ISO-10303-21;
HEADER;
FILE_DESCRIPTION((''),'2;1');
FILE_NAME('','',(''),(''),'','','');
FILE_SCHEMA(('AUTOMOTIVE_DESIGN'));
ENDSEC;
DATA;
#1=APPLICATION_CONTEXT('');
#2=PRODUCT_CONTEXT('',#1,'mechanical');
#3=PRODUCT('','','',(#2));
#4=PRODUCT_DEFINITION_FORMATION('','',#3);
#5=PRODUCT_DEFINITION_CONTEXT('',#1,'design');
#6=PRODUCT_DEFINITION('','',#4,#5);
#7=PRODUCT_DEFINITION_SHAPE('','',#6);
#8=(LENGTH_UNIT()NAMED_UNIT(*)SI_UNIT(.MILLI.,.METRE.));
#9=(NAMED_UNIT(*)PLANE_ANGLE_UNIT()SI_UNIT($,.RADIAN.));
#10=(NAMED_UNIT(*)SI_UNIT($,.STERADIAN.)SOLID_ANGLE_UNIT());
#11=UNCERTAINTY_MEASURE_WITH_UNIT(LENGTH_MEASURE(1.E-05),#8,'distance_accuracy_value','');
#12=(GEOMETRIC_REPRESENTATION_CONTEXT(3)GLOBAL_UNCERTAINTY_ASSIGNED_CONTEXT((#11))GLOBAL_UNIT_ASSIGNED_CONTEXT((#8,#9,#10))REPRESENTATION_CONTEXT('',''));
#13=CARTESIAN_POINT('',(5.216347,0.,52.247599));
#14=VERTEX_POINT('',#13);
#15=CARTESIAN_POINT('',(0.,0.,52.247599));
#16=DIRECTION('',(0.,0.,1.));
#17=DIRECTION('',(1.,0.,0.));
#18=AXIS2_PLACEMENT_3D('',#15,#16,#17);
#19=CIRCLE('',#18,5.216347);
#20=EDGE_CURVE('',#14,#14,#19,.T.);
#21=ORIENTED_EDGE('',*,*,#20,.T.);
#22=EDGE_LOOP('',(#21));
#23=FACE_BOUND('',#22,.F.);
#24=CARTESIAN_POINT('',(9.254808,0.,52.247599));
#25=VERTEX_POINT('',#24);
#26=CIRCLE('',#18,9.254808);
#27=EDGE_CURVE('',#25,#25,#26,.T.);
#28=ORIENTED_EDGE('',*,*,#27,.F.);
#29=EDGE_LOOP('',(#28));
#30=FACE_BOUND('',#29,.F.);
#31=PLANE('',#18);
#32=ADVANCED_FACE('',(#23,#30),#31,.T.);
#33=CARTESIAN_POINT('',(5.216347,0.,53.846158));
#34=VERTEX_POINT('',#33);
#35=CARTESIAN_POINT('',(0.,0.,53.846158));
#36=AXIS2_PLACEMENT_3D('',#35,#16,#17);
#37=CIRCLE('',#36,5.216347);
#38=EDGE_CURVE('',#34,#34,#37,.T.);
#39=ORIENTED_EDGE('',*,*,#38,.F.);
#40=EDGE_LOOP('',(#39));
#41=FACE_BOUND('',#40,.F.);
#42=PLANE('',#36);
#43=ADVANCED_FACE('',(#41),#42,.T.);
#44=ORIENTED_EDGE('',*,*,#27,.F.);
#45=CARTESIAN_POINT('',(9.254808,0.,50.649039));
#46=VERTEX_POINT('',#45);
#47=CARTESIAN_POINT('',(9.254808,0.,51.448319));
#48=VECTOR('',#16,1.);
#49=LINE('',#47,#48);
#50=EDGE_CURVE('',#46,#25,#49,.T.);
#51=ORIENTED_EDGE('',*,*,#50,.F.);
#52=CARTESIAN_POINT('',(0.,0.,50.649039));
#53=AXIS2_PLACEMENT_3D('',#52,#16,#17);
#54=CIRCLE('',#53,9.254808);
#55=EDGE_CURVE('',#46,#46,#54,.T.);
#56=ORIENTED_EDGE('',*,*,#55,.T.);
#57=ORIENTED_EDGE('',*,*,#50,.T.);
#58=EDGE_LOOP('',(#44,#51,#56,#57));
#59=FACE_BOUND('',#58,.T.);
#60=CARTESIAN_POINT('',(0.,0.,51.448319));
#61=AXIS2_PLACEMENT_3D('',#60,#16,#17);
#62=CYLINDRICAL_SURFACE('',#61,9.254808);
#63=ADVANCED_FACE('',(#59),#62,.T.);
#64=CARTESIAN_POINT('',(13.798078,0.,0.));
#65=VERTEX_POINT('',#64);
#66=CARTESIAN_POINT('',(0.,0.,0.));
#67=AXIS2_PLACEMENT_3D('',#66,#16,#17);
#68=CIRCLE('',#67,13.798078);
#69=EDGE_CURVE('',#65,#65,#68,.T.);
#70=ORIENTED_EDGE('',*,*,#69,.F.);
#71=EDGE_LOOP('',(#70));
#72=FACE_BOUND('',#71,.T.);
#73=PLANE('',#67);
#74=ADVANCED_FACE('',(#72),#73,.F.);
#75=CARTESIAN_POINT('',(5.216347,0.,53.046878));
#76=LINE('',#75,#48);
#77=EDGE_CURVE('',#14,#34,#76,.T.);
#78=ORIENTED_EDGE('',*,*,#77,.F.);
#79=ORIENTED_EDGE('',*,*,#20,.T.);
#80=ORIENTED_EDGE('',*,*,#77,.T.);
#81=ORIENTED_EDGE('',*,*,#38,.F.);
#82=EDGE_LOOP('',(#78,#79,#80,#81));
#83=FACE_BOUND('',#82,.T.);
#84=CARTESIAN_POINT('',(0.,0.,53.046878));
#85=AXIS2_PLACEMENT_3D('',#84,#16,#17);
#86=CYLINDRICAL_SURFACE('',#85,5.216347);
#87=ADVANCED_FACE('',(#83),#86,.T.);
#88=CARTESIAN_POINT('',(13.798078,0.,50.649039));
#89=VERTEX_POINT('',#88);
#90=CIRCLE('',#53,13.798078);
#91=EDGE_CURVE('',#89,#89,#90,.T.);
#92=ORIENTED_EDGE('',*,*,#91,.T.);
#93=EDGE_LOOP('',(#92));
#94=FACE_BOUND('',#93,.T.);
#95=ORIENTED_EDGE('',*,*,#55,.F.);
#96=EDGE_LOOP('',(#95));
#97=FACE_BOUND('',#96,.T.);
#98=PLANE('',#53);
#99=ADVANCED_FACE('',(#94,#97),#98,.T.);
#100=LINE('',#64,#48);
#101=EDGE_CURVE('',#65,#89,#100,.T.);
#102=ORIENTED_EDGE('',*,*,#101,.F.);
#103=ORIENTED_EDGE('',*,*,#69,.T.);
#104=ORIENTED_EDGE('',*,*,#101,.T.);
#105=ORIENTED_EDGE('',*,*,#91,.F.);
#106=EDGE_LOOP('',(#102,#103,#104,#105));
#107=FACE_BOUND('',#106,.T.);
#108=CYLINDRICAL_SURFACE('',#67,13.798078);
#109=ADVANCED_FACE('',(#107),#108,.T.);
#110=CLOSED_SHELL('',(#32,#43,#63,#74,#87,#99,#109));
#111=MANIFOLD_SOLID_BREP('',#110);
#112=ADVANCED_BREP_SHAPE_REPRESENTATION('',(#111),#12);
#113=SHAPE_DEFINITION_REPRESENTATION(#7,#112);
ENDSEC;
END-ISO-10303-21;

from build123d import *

# Parameters (mm, degrees)
F0_W   = 5.2163470536
F0_H   = 1.59855932
F0_W_2 = 4.0384605527


with BuildPart() as f1:
    # F0 (on Front) → F1 (revolve)
    with BuildSketch(Plane.XZ):
        with Locations((2.6081735268, 53.0468784273)):
            Rectangle(F0_W, F0_H)
        Polygon((0, 50.6490394473), (0, 0), (13.7980775908, 0), (13.7980775908, 50.6490394473), (9.2548076063, 50.6490394473), (5.2163470536, 50.6490394473), align=None)
        with Locations((7.23557733, 51.4483191073)):
            Rectangle(F0_W_2, F0_H)
        with Locations((2.6081735268, 51.4483191073)):
            Rectangle(F0_W, F0_H)
    revolve(axis=Axis((0, 0, 25.3245197237), (0, 0, 1)))


solid = f1.part
